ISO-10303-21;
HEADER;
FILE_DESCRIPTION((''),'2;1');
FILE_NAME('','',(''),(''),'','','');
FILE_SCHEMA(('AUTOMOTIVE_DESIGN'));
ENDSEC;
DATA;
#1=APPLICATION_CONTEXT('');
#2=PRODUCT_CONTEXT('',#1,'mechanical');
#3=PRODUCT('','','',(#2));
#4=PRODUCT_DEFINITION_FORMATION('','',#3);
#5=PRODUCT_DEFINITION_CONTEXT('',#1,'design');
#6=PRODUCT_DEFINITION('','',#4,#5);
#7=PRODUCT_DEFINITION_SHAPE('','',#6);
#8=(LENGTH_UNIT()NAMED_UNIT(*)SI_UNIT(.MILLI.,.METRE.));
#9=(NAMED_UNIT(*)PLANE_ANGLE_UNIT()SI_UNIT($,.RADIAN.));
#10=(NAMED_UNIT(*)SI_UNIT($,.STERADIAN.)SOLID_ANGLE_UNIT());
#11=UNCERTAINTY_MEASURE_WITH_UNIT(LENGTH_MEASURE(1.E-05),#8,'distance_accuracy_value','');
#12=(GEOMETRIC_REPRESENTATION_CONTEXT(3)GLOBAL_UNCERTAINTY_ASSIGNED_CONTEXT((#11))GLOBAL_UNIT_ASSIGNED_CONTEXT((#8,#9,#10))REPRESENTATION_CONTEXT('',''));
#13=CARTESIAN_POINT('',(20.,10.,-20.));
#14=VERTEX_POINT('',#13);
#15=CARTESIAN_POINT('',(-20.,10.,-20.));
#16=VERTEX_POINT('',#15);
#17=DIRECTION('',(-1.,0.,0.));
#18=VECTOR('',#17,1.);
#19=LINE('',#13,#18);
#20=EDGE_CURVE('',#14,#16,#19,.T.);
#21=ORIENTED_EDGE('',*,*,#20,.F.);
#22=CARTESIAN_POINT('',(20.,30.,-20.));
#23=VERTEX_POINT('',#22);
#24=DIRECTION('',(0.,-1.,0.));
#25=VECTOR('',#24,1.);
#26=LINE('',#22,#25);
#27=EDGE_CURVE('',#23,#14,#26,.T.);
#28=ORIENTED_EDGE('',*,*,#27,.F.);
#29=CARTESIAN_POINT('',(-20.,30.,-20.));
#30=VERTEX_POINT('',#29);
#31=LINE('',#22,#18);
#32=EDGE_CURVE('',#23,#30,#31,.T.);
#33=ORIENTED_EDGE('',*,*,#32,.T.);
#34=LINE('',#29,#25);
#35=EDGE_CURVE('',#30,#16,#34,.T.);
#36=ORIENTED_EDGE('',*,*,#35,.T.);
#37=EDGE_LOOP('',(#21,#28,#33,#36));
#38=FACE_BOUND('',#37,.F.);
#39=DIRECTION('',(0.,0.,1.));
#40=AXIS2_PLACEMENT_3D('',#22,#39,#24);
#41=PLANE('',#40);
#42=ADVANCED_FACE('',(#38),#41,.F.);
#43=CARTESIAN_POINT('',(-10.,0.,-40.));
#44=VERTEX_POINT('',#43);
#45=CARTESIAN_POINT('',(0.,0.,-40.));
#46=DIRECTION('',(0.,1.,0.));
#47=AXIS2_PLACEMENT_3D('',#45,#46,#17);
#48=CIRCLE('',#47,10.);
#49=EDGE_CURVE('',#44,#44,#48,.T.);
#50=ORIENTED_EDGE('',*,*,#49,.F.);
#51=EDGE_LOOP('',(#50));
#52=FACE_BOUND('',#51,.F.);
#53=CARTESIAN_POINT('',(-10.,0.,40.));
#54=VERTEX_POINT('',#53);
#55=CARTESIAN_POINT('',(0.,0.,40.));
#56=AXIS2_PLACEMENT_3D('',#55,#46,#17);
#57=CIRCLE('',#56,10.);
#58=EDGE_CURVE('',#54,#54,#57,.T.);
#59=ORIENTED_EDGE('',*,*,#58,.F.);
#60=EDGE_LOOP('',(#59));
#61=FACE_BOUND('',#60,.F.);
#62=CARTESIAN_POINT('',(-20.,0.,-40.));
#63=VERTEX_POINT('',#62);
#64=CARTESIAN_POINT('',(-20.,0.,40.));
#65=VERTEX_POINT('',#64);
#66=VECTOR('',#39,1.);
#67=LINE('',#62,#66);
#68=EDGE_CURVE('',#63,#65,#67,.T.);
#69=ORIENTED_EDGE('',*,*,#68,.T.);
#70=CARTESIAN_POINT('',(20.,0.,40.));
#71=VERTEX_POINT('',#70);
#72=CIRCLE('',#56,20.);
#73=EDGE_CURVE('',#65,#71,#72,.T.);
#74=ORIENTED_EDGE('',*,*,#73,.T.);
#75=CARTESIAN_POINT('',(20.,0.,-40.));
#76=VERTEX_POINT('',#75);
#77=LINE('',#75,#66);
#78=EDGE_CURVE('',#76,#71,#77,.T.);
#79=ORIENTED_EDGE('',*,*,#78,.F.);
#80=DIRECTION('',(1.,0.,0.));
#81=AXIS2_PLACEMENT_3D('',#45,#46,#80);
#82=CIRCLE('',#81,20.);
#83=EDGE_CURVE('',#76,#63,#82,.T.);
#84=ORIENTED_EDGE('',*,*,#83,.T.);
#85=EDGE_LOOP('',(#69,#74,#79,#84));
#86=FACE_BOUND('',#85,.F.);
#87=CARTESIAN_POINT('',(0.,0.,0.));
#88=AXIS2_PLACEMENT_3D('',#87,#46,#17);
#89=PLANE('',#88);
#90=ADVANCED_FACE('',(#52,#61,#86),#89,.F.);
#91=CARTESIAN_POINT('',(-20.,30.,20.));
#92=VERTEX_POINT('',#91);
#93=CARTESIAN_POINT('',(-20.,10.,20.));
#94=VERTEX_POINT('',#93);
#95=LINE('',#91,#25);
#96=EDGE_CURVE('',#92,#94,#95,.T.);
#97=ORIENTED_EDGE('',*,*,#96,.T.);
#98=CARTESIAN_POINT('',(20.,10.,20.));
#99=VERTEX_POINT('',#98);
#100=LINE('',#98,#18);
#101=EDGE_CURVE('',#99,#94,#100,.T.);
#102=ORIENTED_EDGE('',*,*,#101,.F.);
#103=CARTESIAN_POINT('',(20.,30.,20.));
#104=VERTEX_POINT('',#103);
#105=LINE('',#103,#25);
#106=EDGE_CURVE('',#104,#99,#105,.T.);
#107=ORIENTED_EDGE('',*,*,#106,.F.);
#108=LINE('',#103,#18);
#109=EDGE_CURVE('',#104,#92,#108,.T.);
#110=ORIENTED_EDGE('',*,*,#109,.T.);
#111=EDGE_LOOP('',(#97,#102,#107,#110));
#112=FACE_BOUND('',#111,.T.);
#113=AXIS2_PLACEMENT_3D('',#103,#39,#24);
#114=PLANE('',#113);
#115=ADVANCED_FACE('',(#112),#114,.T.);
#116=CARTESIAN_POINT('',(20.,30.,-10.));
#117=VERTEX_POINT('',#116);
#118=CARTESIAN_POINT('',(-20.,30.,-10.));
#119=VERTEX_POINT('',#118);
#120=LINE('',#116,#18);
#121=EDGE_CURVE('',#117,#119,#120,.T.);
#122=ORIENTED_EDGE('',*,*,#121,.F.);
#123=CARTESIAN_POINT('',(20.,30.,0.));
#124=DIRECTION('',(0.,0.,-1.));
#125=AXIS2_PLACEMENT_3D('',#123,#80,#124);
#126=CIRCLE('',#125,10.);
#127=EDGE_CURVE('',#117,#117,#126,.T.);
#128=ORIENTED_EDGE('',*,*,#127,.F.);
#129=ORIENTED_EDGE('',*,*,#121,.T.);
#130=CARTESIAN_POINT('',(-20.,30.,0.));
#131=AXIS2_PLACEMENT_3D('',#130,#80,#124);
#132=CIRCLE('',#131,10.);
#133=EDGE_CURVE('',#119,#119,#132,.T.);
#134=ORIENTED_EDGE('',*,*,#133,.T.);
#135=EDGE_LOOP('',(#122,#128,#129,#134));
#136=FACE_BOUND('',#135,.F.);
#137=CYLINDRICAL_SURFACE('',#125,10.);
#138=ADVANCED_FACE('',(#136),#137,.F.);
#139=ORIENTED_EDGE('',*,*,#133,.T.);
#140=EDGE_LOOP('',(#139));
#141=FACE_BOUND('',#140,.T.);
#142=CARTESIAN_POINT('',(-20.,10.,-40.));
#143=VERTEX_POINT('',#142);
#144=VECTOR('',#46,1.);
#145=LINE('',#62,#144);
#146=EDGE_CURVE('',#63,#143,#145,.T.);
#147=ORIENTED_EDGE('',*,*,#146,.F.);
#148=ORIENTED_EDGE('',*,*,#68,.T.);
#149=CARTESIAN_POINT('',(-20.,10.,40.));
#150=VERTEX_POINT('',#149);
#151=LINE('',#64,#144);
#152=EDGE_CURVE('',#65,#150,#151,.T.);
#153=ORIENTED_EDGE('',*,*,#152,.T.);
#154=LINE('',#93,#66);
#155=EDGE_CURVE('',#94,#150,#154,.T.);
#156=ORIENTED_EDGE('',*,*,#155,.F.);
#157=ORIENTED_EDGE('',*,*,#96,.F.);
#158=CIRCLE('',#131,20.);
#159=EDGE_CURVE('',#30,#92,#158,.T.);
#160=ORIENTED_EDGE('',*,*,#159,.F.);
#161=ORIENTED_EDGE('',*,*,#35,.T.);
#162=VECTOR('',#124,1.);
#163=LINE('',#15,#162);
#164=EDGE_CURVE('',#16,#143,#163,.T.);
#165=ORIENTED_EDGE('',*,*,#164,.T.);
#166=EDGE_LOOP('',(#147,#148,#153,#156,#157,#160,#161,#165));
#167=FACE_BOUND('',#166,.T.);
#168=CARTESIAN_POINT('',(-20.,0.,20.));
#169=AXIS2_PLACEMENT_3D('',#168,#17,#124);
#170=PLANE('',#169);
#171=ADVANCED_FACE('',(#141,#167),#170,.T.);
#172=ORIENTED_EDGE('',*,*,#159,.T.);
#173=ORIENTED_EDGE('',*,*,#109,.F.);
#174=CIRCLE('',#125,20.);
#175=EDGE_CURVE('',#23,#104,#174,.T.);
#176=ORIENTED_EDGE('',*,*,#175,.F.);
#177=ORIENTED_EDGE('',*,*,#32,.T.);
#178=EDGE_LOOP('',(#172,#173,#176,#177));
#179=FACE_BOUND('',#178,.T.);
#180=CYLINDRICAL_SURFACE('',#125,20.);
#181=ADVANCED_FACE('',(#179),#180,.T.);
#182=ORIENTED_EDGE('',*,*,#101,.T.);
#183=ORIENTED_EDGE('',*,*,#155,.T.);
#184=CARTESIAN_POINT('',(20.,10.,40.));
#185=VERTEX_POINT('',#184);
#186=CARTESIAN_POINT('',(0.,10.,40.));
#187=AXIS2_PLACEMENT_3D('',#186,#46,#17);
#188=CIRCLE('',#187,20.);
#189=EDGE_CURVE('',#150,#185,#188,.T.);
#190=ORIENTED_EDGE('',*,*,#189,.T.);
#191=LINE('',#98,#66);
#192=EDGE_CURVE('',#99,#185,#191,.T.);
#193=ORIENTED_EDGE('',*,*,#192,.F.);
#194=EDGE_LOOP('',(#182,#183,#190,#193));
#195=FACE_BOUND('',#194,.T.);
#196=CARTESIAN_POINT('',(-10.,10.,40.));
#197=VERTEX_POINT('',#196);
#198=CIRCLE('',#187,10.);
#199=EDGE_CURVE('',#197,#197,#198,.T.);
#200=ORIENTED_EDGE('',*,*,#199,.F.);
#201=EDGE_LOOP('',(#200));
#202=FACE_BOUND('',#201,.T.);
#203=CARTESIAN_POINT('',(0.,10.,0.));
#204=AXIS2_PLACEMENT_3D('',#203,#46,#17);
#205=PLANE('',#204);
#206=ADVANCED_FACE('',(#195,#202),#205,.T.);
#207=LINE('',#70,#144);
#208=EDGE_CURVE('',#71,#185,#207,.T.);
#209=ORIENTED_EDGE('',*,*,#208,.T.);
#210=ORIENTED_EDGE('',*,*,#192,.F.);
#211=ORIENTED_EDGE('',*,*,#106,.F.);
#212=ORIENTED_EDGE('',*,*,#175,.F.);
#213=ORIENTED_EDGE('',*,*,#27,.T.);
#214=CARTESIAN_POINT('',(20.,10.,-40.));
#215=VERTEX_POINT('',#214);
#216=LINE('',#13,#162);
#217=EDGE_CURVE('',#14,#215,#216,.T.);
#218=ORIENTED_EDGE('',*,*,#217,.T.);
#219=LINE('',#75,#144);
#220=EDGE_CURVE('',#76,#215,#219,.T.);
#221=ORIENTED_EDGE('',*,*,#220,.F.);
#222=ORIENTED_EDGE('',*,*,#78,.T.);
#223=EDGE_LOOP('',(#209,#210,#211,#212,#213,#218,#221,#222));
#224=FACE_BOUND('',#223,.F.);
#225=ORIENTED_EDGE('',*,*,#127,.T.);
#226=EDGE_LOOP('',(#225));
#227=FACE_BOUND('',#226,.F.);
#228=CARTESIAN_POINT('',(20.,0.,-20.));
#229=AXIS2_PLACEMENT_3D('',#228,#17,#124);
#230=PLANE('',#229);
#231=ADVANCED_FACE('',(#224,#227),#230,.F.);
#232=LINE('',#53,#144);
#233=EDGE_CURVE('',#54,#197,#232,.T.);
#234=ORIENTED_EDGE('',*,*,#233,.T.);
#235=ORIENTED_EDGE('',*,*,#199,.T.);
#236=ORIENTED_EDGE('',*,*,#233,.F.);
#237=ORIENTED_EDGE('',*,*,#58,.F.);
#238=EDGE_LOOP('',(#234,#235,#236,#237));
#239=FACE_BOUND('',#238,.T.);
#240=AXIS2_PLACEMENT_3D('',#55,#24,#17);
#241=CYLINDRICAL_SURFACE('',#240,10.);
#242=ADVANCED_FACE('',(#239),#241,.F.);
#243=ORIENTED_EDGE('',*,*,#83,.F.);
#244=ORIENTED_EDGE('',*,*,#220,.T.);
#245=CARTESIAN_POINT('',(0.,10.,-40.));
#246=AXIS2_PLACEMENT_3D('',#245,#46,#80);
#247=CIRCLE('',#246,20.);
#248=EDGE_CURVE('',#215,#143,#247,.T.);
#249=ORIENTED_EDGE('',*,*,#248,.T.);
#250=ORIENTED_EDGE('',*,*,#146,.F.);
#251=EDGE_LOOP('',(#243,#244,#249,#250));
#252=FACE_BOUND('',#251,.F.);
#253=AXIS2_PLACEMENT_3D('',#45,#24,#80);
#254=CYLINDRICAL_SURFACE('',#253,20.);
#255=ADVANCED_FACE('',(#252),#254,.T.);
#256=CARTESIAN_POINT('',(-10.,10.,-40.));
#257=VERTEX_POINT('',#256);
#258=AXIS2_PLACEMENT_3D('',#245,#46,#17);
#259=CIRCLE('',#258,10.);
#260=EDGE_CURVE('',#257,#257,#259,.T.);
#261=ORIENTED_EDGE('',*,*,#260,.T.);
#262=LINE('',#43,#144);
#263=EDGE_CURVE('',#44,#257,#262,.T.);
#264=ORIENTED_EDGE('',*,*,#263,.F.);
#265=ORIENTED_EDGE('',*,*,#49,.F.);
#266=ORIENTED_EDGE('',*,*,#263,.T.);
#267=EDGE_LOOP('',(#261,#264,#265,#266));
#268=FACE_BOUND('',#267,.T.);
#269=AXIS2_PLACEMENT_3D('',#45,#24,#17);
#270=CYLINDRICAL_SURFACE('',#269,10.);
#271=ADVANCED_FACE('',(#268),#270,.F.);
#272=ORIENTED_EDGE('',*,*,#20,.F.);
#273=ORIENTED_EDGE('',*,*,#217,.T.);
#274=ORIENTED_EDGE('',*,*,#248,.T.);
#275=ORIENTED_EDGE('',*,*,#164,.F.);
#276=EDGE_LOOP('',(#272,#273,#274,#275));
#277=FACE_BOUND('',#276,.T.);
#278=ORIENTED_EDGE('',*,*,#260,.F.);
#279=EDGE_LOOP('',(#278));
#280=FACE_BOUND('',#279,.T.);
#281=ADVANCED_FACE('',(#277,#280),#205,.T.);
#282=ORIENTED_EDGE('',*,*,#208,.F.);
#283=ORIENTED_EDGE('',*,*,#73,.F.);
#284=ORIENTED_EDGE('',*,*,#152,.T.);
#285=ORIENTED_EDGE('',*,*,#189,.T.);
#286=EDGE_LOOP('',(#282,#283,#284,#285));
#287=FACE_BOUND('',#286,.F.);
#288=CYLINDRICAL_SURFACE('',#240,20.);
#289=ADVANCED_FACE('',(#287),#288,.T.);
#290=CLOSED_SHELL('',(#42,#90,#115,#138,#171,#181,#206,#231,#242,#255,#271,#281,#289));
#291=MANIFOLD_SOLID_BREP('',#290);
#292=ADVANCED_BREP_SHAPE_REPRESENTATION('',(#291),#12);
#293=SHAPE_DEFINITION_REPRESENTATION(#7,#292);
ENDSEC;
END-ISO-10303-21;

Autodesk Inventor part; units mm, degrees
ref_plane "YZ Plane" through (0, 0, 0) normal (1, 0, 0) x (0, 1, 0)
ref_plane "XZ Plane" through (0, 0, 0) normal (0, 1, 0) x (-1, 0, 0)
ref_plane "XY Plane" through (0, 0, 0) normal (0, 0, 1) x (1, 0, 0)
sketch "Boceto1" plane through (0, 0, 0) normal (0, 1, 0) x (-1, 0, 0)
  line L0 (20, 20) -> (20, -20)
  line L1 (-20, -20) -> (-20, 20)
  line L2 (20, 20) -> (-20, -20) construction
  line L3 (20, -20) -> (-20, 20) construction
  line L4 (0, 20) -> (0, 40) construction
  circle A0 centre (0, 40) radius 10
  arc A1 (20, 40) -> (-20, 40) centre (0, 40) ccw
  line L5 (0, -20) -> (0, -40) construction
  circle A2 centre (0, -40) radius 10
  arc A3 (-20, -40) -> (20, -40) centre (0, -40) ccw
  line L6 (20, 20) -> (20, 40)
  line L7 (-20, 20) -> (-20, 40)
  line L8 (-20, -20) -> (-20, -40)
  line L9 (20, -20) -> (20, -40)
  point P0 (0, 0)
  dimension "d0" = 40
  dimension "d1" = 40
  dimension "d3" = 20
  dimension "d4" = 40
  dimension "d6" = 20
  dimension "d7" = 40
extrude "Extrusión1" add sketch "Boceto1" along normal blind 10
sketch "Boceto2" plane through (20, 0, 40) normal (1, 0, 0) x (0, 0, -1)
  line L0 (0, 10) -> (80, 10) construction
  line L1 (40, 10) -> (40, 30) construction
  arc A0 (60, 30) -> (20, 30) centre (40, 30) ccw
  circle A1 centre (40, 30) radius 10
  line L2 (20, 30) -> (20, 10)
  line L3 (60, 30) -> (60, 10)
  line L4 (20, 10) -> (60, 10)
  point P0 (40, 0)
  dimension "d11" = 40
  dimension "d12" = 20
extrude "Extrusión2" add sketch "Boceto2" against normal blind 40
properties part number "Tarea #1 José Palacios"
